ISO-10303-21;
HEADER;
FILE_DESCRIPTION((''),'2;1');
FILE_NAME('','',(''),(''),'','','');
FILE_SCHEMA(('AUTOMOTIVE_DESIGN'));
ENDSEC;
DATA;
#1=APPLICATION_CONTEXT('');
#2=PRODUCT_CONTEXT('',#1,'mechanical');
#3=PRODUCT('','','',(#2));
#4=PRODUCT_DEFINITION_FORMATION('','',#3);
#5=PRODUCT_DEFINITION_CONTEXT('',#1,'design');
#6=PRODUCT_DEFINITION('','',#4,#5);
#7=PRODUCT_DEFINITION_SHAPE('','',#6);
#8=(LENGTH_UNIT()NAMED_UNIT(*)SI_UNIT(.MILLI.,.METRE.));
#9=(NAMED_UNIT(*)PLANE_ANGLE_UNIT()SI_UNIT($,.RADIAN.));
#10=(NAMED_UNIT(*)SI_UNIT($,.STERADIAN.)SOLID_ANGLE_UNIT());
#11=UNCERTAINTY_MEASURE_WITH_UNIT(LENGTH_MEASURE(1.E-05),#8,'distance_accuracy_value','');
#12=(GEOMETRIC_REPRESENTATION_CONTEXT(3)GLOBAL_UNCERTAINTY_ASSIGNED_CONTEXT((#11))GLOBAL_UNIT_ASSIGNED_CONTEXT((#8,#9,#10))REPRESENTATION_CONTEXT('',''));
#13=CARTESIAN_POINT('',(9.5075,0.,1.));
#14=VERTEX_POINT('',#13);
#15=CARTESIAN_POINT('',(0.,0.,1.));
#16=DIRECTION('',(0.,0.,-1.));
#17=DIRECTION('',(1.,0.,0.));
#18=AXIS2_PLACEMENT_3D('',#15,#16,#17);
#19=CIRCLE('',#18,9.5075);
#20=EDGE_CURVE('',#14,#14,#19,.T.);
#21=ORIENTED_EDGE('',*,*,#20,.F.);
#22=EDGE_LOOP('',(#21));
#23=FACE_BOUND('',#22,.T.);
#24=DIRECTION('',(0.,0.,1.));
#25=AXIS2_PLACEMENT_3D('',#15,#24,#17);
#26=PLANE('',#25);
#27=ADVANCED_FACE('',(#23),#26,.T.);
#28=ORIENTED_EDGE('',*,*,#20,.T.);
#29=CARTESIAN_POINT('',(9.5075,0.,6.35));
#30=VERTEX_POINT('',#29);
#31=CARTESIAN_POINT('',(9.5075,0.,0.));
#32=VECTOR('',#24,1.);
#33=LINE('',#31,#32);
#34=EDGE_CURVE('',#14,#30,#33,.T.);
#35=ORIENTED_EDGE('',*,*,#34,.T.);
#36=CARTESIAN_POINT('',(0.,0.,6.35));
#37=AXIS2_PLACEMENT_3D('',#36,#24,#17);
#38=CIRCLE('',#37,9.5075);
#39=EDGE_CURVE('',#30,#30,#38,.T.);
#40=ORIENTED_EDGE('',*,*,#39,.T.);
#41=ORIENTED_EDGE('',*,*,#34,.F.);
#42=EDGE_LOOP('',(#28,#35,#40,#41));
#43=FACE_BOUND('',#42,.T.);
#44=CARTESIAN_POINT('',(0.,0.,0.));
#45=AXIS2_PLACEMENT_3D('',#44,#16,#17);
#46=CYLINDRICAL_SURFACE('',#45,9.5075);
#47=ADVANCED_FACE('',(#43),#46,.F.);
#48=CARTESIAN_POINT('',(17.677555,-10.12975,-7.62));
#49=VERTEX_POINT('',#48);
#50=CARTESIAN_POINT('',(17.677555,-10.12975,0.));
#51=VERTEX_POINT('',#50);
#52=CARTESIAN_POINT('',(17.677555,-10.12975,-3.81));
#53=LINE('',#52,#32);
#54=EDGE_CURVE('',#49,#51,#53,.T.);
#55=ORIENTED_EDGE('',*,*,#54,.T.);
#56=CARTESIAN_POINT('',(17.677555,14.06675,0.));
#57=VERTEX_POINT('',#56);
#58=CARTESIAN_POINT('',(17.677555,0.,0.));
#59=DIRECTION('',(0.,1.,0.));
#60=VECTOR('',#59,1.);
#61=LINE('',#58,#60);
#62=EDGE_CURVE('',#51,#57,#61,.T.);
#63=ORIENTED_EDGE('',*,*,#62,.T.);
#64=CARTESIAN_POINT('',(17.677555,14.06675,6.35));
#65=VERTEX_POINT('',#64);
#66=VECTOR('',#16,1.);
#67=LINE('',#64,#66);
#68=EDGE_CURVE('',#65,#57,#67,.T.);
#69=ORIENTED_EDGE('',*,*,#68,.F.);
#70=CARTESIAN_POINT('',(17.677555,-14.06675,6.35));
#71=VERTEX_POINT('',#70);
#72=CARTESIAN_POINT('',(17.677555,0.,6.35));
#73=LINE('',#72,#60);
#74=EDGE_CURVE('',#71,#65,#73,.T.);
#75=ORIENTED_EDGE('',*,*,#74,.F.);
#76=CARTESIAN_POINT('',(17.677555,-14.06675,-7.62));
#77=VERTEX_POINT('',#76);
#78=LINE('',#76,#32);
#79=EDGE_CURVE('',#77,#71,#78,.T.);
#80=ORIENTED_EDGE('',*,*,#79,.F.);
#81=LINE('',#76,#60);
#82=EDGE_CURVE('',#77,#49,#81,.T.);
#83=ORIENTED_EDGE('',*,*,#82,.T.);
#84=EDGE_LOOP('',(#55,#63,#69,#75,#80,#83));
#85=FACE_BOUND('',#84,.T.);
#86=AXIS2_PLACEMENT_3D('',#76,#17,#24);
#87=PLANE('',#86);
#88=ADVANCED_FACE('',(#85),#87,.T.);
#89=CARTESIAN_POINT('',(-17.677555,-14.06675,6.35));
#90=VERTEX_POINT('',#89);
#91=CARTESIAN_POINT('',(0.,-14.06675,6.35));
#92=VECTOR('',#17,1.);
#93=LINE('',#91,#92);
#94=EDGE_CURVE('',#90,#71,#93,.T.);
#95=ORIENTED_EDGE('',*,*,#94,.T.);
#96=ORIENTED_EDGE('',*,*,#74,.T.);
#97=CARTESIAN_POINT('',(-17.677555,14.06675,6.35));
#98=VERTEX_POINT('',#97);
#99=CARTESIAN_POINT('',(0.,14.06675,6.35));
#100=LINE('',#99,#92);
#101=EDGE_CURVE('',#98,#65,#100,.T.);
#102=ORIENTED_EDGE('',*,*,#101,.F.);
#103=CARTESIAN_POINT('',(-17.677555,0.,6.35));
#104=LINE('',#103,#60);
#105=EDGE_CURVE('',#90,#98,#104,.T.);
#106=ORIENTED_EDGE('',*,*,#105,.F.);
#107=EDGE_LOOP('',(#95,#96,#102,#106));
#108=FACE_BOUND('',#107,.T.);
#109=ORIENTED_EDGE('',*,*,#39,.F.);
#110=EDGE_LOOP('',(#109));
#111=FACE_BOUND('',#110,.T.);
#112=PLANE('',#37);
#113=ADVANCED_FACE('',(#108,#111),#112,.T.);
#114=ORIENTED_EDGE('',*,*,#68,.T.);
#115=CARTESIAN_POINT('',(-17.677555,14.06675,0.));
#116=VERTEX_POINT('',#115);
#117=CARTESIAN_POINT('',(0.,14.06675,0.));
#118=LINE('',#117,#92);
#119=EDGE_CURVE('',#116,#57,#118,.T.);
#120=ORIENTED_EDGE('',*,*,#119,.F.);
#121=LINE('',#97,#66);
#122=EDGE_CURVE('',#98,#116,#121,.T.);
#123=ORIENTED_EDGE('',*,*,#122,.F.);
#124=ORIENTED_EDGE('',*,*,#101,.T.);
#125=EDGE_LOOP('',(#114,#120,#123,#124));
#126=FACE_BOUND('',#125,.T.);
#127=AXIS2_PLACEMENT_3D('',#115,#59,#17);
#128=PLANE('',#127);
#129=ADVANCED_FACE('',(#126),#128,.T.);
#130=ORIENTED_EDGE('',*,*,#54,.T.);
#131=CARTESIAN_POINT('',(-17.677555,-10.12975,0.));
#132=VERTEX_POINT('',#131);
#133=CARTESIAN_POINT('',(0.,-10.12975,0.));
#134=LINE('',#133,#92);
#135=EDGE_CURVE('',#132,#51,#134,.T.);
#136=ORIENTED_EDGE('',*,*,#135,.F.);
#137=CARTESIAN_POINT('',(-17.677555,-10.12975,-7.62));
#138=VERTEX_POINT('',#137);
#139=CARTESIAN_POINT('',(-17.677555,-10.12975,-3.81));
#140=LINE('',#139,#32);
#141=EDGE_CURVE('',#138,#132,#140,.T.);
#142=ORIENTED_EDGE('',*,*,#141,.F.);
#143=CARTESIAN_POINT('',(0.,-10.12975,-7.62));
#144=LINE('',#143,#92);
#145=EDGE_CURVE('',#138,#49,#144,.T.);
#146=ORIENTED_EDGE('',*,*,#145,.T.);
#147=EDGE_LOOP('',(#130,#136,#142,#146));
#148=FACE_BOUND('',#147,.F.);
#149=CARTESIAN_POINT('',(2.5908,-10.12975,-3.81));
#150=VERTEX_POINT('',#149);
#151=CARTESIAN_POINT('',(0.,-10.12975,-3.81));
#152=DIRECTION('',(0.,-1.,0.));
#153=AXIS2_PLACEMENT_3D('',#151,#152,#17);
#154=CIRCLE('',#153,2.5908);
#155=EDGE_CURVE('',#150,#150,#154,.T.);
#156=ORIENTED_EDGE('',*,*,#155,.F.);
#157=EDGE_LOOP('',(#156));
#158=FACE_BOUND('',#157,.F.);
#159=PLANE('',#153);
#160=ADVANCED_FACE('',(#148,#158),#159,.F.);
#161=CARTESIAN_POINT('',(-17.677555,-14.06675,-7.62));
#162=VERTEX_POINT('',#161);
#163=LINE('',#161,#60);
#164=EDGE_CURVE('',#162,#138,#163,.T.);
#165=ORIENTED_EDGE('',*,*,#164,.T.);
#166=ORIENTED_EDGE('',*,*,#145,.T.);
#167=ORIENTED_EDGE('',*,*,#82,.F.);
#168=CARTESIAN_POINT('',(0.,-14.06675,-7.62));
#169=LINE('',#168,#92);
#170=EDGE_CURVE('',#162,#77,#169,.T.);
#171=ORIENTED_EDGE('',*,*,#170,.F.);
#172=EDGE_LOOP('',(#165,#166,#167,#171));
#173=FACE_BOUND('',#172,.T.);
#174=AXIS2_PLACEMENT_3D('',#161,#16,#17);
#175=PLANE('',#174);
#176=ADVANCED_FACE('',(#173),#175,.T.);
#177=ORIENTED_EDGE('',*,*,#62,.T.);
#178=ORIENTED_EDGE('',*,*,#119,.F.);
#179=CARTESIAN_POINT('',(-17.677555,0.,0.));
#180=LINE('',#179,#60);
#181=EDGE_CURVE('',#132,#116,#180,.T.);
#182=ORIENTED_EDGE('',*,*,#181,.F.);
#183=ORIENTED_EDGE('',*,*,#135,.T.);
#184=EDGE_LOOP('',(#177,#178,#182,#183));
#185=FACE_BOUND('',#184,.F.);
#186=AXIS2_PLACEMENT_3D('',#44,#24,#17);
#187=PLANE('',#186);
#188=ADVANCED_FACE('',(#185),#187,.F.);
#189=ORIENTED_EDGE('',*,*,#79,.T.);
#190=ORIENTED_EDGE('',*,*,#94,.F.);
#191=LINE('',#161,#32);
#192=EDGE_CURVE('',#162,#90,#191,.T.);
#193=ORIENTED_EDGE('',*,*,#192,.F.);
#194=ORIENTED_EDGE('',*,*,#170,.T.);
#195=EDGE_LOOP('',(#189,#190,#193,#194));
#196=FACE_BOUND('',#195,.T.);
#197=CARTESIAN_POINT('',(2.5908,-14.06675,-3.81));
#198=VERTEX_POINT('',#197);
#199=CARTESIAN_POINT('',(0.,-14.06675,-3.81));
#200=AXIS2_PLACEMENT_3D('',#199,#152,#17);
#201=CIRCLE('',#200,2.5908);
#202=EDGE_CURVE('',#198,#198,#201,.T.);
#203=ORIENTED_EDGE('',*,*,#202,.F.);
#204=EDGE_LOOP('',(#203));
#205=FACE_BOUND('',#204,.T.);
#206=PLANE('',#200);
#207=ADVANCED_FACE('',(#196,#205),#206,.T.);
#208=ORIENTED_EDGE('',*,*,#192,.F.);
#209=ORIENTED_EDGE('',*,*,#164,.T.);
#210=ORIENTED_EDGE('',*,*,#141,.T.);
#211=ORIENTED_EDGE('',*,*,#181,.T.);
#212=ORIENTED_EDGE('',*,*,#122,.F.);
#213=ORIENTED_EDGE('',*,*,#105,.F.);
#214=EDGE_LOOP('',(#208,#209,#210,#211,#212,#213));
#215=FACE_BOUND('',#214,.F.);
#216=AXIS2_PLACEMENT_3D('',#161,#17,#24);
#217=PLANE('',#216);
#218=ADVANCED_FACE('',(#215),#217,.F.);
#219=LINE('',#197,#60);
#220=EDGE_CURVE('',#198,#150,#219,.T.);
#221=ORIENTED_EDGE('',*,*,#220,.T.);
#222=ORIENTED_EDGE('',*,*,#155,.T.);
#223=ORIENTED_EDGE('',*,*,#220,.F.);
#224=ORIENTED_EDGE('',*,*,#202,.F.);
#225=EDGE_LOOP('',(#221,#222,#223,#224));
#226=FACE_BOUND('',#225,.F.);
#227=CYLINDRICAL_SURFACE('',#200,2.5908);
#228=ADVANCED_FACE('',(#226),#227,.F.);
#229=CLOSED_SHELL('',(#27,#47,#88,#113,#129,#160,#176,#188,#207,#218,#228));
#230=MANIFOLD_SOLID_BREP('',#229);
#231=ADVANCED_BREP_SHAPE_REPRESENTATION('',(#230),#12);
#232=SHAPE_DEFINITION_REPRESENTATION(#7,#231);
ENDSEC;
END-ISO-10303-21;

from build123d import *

# Parameters (mm, degrees)
F0_W     = 35.35511
F0_H     = 28.1335
F0_R     = 9.5075
F1_DEPTH = 1
F2_DEPTH = 6.35
F3_W     = 35.35511
F3_H     = 7.62
F3_R     = 2.5908
F4_DEPTH = 3.937


with BuildPart() as f1:
    # F0 (on Top) → F1 (new body)
    with BuildSketch(Plane.XY):
        Rectangle(F0_W, F0_H)
        Circle(F0_R, mode=Mode.SUBTRACT)
        Circle(F0_R)
    extrude(amount=F1_DEPTH)

    # F0 (on Top) → F2 (join)
    with BuildSketch(Plane.XY):
        Rectangle(F0_W, F0_H)
        Circle(F0_R, mode=Mode.SUBTRACT)
    extrude(amount=F2_DEPTH)

    # F3 (on face) → F4 (join)
    with BuildSketch(Plane.XZ.offset(14.06675)):
        with Locations((0, -3.81)):
            Rectangle(F3_W, F3_H)
        with Locations((0, -3.81)):
            Circle(F3_R, mode=Mode.SUBTRACT)
    extrude(amount=-F4_DEPTH)


solid = f1.part
